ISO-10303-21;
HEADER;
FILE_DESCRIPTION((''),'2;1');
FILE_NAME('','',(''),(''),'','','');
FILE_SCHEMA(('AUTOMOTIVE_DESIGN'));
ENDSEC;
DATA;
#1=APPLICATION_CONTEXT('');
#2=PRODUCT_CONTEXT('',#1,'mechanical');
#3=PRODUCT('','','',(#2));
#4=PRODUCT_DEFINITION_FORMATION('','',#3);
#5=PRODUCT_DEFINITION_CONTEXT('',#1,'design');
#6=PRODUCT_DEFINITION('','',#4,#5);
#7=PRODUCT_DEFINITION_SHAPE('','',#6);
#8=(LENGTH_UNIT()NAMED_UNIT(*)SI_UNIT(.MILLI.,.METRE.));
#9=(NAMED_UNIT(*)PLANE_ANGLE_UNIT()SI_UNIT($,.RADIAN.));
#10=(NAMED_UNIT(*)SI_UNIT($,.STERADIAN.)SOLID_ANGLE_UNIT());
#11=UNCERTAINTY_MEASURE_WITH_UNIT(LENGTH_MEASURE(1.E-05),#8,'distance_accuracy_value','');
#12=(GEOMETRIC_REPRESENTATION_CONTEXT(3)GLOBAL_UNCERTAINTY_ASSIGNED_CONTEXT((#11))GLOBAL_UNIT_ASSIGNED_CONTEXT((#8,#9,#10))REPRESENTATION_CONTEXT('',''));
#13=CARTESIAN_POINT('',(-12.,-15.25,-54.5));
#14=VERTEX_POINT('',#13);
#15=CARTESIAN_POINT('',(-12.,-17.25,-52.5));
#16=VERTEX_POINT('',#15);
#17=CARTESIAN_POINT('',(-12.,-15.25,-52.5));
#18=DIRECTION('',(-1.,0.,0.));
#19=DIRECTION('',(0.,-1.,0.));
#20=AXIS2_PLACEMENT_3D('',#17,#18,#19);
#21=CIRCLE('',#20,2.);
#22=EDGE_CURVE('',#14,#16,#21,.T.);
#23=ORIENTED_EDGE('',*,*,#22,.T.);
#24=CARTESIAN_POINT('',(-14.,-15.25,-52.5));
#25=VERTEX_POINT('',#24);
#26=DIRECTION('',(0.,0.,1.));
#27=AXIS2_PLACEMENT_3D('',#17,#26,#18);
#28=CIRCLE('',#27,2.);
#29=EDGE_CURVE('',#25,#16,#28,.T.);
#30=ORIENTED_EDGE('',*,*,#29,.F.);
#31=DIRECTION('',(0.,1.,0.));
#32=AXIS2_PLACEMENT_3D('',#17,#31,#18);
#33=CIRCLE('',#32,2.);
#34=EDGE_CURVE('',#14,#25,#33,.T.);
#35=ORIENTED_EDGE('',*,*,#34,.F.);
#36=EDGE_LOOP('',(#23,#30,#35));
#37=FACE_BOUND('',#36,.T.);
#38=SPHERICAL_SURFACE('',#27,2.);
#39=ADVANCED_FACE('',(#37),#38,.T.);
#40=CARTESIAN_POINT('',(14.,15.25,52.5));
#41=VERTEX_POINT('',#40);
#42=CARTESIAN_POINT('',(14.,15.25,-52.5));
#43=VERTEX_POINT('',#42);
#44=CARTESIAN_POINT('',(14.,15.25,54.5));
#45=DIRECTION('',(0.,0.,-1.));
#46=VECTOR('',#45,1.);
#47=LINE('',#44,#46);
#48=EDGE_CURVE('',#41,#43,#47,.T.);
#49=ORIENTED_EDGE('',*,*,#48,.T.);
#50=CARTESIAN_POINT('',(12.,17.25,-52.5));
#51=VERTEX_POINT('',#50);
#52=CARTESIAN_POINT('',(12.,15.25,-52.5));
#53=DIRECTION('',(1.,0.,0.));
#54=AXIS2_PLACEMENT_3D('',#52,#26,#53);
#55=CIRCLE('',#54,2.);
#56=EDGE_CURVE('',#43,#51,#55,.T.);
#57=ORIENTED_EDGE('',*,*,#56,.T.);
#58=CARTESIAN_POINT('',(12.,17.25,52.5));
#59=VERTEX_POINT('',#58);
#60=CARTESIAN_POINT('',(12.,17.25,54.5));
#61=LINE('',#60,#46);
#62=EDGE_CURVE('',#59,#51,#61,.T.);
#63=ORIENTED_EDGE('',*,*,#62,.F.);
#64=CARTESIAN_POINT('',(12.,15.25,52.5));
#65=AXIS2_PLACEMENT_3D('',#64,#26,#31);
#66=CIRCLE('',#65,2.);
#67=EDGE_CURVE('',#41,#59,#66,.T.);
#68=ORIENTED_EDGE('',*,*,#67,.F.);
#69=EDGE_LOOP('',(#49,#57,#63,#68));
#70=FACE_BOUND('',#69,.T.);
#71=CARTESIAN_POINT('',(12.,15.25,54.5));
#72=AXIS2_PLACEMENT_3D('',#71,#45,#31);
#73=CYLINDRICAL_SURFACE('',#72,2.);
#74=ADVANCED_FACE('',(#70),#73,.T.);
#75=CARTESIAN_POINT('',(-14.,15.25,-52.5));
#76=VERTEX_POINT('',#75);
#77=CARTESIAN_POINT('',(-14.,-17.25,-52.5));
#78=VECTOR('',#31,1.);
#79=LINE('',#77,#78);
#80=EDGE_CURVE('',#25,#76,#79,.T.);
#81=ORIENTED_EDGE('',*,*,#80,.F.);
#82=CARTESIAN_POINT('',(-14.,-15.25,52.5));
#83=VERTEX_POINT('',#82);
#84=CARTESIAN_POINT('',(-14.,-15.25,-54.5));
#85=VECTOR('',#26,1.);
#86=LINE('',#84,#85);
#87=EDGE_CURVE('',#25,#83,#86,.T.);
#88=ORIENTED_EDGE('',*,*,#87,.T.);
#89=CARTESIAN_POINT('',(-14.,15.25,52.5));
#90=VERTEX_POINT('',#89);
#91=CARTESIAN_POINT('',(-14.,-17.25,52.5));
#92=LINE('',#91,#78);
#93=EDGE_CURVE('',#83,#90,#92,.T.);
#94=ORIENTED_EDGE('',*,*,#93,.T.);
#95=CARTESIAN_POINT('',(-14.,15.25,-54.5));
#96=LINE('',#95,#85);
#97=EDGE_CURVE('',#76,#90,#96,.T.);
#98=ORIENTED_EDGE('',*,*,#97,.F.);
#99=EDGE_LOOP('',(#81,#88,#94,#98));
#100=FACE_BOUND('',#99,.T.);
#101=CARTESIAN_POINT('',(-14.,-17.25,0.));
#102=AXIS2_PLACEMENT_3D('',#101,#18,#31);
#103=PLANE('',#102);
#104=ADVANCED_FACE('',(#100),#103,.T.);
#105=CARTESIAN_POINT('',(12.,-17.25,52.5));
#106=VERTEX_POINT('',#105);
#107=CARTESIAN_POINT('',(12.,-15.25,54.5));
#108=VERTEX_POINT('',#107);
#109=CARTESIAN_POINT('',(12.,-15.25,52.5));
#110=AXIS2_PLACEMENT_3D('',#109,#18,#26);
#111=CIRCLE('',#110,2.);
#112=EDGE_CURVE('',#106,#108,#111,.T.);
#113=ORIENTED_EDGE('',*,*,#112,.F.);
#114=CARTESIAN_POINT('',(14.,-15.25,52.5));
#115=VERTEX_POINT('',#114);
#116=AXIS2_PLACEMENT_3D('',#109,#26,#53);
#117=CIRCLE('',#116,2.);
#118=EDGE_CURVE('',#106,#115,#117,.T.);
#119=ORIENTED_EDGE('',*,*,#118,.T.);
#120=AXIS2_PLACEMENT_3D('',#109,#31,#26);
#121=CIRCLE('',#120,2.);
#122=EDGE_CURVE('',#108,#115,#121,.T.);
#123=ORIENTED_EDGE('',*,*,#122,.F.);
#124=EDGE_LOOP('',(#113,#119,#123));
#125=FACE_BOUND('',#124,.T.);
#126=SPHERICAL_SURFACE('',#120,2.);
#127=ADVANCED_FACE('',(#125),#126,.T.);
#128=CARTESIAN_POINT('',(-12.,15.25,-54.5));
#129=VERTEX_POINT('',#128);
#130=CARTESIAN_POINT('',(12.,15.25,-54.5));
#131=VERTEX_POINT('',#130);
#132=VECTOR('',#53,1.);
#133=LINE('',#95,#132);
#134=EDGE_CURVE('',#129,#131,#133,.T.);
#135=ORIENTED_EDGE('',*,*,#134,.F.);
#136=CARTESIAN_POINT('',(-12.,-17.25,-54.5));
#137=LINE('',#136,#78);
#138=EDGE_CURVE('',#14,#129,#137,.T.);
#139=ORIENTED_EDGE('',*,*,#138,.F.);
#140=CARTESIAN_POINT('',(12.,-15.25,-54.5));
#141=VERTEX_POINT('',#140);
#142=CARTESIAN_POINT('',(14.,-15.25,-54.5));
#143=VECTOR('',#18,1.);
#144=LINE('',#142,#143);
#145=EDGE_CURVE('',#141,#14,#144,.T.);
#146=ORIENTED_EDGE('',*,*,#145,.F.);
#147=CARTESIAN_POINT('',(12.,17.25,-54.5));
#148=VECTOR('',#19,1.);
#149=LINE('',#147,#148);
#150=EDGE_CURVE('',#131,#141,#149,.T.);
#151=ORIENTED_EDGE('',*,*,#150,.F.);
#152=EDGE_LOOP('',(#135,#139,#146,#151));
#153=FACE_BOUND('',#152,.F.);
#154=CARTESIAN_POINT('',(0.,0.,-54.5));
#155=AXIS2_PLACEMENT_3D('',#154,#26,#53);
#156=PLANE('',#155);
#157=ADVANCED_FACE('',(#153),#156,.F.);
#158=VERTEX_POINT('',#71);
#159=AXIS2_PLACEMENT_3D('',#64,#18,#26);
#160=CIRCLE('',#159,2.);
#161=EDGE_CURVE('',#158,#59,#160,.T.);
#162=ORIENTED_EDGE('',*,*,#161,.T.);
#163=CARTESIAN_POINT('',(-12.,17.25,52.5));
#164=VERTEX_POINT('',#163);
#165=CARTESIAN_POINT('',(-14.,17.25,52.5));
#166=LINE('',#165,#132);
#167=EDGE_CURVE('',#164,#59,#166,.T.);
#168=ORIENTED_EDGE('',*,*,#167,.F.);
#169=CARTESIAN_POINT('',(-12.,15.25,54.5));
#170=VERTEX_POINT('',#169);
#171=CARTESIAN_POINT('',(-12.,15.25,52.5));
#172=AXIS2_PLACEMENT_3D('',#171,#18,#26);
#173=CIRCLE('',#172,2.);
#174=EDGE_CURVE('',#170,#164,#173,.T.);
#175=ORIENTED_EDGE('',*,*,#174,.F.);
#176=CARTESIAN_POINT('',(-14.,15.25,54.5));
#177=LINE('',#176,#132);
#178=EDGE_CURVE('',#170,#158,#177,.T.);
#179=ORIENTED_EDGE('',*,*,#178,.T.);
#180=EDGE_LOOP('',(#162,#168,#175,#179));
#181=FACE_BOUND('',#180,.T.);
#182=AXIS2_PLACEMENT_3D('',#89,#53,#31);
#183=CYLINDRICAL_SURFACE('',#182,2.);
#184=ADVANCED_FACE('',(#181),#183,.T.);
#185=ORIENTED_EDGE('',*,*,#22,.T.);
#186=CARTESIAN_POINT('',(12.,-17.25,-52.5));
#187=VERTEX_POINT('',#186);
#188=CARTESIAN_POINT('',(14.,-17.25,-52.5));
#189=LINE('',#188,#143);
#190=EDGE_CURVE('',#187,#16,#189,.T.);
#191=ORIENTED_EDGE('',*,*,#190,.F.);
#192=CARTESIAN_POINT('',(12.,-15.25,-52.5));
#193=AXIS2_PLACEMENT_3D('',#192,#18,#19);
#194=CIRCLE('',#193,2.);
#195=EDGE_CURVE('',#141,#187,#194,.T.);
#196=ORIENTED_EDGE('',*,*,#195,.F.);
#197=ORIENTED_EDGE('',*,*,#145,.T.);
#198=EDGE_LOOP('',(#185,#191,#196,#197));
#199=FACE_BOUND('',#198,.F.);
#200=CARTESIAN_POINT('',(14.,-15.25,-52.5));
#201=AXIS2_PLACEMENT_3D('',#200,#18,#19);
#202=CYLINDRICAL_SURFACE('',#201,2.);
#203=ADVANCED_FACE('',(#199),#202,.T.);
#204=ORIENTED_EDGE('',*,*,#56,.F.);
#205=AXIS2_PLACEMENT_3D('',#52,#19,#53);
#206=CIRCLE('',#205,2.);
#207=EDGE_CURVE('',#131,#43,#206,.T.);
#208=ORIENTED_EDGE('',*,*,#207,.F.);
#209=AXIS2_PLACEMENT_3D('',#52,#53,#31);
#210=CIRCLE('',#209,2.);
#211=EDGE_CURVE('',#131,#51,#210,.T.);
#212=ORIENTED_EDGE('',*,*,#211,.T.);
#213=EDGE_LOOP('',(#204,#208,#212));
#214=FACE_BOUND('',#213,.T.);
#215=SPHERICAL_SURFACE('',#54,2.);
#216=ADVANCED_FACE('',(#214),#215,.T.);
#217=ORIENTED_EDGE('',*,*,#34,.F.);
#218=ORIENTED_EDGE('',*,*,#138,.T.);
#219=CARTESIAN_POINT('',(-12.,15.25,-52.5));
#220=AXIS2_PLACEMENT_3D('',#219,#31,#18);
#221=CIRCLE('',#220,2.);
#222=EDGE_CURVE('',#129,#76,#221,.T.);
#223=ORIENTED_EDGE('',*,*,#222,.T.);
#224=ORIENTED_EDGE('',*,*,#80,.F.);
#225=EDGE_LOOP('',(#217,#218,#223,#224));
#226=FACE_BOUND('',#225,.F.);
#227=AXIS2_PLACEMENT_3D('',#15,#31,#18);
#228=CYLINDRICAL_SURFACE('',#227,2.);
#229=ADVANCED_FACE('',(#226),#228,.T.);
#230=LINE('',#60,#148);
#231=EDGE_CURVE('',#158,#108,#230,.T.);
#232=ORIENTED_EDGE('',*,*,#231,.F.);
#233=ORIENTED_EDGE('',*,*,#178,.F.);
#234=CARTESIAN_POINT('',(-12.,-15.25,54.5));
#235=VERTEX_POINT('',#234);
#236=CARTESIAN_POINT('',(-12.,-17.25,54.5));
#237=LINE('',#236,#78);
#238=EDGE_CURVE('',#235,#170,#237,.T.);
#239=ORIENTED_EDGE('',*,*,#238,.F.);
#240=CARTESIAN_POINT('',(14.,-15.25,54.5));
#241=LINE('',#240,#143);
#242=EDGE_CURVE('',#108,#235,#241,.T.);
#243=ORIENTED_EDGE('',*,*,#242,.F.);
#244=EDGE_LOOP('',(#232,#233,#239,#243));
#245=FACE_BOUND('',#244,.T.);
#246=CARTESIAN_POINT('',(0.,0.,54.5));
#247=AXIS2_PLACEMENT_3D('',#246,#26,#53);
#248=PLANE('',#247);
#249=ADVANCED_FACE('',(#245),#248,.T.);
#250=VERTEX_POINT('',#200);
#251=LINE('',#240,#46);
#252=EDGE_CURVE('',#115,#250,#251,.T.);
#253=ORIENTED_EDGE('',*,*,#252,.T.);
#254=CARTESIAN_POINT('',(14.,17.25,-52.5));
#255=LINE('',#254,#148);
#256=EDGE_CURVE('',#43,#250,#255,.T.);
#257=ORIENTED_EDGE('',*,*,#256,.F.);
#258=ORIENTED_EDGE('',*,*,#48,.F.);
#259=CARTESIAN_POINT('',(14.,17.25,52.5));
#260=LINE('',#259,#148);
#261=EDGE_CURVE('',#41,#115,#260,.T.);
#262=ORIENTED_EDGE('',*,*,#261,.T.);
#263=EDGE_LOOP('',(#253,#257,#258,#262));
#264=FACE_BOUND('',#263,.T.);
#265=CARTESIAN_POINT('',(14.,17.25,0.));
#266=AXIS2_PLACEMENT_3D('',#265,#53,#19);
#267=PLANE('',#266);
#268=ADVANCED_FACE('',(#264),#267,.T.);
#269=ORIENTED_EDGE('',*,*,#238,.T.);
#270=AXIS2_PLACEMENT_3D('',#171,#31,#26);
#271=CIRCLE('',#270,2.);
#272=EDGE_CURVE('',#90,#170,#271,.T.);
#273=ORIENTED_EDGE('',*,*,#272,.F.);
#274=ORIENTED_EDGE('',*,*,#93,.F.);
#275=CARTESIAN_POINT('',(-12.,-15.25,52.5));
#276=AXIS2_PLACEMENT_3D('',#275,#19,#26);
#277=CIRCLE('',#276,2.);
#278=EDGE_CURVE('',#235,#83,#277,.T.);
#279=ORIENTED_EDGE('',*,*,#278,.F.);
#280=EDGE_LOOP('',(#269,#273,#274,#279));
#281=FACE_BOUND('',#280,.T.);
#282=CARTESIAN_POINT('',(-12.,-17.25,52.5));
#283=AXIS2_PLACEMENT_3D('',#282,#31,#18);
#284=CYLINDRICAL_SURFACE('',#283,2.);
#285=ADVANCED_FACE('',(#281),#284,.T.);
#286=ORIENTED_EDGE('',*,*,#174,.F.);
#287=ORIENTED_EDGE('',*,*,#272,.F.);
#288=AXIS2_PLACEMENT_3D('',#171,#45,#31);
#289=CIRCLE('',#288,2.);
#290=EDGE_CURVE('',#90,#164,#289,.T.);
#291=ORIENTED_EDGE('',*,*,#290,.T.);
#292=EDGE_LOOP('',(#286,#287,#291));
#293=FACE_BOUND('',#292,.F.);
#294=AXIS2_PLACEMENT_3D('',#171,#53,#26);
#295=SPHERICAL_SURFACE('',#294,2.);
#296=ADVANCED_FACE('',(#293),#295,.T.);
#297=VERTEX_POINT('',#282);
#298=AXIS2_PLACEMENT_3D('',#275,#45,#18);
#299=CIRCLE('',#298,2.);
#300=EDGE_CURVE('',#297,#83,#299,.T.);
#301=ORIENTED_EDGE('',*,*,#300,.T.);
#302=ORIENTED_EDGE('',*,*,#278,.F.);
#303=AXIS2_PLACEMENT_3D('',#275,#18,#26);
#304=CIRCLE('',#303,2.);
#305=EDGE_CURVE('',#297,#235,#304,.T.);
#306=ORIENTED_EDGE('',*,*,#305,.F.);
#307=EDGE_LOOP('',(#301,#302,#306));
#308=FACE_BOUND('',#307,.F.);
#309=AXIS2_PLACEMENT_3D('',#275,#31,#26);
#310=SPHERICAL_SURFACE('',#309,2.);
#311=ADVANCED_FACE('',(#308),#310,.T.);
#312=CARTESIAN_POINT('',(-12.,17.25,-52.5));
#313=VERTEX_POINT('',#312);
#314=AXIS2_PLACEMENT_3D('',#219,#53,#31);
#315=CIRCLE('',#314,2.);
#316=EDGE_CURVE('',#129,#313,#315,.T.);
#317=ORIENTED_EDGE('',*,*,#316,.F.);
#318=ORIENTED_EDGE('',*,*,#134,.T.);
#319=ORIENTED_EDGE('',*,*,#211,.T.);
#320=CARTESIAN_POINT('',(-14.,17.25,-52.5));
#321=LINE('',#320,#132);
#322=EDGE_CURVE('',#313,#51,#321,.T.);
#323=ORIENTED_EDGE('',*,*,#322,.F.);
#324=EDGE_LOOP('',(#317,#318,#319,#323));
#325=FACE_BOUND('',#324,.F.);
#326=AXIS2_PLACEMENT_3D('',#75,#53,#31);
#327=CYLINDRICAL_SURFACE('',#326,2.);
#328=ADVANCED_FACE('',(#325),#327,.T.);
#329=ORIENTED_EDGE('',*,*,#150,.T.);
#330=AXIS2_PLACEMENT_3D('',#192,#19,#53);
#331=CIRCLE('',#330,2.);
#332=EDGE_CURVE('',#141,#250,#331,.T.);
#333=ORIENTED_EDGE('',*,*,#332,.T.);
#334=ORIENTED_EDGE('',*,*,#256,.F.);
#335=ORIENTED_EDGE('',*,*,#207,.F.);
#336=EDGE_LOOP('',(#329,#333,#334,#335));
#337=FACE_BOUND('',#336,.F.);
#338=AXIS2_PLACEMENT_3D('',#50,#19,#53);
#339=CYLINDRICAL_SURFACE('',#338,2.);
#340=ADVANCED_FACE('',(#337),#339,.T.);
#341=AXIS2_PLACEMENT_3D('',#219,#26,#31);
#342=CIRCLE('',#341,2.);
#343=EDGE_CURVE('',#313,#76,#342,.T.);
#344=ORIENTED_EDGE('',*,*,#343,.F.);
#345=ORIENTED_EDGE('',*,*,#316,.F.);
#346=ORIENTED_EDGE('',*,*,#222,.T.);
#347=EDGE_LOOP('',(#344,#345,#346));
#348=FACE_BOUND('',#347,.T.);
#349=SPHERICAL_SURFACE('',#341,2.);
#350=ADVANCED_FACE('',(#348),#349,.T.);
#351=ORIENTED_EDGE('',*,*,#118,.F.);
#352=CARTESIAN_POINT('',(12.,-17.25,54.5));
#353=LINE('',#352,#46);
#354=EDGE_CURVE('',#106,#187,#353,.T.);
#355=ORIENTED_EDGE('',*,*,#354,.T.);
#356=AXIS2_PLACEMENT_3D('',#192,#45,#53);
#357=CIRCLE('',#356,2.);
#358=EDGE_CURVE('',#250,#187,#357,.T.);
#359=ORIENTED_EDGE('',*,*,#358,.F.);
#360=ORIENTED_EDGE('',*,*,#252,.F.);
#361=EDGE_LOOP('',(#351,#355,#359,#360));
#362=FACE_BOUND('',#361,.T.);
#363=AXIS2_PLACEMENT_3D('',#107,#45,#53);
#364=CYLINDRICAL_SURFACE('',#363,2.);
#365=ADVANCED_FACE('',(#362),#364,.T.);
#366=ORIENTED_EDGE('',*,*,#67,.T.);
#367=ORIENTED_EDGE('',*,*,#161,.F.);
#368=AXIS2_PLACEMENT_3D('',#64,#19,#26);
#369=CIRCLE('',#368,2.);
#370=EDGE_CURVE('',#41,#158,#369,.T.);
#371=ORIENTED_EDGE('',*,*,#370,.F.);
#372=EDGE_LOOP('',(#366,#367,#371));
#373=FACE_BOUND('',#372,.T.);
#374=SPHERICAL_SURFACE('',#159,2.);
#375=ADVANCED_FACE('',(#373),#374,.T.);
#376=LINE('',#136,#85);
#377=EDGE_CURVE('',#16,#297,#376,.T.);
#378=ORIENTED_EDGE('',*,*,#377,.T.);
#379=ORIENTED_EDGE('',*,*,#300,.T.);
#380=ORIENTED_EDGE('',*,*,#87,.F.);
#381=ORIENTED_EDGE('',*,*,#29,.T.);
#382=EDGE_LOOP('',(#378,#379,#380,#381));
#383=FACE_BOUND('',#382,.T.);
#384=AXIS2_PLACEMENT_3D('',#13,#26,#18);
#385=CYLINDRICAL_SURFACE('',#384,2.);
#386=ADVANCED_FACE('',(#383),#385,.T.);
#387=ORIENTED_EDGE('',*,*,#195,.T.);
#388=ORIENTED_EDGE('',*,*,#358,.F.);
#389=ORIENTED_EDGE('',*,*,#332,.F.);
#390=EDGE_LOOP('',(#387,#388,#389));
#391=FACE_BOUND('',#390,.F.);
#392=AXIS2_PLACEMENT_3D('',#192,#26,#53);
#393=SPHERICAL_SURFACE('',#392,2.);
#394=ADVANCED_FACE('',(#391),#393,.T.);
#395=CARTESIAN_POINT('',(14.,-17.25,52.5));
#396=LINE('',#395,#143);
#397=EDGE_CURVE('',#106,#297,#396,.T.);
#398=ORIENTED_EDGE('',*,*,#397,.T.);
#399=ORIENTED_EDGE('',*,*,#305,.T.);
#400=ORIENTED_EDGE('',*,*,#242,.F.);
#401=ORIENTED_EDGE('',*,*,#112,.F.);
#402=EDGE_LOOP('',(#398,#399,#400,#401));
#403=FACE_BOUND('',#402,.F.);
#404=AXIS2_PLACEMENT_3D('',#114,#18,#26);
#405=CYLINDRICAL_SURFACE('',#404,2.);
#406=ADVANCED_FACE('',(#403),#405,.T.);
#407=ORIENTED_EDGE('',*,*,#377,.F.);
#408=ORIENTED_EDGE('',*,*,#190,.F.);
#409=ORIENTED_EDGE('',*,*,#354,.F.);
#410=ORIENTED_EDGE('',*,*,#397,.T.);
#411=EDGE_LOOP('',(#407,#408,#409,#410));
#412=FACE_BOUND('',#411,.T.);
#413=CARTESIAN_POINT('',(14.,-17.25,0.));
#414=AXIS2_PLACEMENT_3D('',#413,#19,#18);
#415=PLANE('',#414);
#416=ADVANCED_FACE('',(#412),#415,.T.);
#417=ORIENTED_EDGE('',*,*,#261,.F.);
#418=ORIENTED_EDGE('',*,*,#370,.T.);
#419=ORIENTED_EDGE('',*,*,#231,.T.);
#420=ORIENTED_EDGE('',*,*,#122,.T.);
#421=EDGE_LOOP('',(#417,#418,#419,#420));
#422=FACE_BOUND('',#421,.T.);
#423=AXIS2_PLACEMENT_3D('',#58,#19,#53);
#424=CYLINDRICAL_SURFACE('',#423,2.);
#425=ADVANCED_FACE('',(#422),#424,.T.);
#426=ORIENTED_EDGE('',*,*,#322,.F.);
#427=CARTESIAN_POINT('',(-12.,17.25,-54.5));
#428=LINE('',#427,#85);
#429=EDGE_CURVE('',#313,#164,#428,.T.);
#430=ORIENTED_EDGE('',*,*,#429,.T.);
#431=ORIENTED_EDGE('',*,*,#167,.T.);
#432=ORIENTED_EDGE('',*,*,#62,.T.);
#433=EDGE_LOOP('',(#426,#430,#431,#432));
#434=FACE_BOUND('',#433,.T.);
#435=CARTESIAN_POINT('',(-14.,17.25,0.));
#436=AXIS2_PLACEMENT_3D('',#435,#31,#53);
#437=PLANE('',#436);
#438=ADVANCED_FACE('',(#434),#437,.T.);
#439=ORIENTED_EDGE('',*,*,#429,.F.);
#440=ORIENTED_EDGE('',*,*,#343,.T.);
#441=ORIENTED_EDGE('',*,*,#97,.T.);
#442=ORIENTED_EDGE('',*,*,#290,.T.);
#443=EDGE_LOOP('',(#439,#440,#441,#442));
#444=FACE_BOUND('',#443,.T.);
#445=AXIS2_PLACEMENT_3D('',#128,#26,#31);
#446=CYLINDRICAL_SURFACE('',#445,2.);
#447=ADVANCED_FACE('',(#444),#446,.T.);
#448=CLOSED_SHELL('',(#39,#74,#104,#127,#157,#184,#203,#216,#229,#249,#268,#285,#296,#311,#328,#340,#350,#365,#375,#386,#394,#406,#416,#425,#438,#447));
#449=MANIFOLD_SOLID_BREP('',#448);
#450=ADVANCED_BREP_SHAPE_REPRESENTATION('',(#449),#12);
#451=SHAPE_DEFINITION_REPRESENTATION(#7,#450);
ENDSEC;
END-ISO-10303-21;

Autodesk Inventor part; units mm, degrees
ref_plane "YZ Plane" through (0, 0, 0) normal (1, 0, 0) x (0, 1, 0)
ref_plane "XZ Plane" through (0, 0, 0) normal (0, 1, 0) x (-1, 0, 0)
ref_plane "XY Plane" through (0, 0, 0) normal (0, 0, 1) x (1, 0, 0)
sketch "スケッチ1" plane through (0, 0, 0) normal (0, 0, 1) x (1, 0, 0)
  line L0 (-14, 17.25) -> (14, 17.25)
  line L1 (14, 17.25) -> (14, -17.25)
  line L2 (14, -17.25) -> (-14, -17.25)
  line L3 (-14, -17.25) -> (-14, 17.25)
  line L4 (0, 0) -> (0, 17.25) construction
  line L5 (0, 0) -> (14, 0) construction
  dimension "d0" = 28
  dimension "d1" = 34.5
extrude "押し出し1" add sketch "スケッチ1" along normal mid plane 109
fillet "フィレット1" radius 2 12 edges at (0, 17.25, 54.5) (14, 0, 54.5) (-14, 0, 54.5) (0, -17.25, 54.5) (14, 17.25, 0) (-14, 17.25, 0) (14, -17.25, 0) (14, 0, -54.5) (0, 17.25, -54.5) (-14, -17.25, 0) (-14, 0, -54.5) (0, -17.25, -54.5)
properties part number "kypom_3s_2500"
